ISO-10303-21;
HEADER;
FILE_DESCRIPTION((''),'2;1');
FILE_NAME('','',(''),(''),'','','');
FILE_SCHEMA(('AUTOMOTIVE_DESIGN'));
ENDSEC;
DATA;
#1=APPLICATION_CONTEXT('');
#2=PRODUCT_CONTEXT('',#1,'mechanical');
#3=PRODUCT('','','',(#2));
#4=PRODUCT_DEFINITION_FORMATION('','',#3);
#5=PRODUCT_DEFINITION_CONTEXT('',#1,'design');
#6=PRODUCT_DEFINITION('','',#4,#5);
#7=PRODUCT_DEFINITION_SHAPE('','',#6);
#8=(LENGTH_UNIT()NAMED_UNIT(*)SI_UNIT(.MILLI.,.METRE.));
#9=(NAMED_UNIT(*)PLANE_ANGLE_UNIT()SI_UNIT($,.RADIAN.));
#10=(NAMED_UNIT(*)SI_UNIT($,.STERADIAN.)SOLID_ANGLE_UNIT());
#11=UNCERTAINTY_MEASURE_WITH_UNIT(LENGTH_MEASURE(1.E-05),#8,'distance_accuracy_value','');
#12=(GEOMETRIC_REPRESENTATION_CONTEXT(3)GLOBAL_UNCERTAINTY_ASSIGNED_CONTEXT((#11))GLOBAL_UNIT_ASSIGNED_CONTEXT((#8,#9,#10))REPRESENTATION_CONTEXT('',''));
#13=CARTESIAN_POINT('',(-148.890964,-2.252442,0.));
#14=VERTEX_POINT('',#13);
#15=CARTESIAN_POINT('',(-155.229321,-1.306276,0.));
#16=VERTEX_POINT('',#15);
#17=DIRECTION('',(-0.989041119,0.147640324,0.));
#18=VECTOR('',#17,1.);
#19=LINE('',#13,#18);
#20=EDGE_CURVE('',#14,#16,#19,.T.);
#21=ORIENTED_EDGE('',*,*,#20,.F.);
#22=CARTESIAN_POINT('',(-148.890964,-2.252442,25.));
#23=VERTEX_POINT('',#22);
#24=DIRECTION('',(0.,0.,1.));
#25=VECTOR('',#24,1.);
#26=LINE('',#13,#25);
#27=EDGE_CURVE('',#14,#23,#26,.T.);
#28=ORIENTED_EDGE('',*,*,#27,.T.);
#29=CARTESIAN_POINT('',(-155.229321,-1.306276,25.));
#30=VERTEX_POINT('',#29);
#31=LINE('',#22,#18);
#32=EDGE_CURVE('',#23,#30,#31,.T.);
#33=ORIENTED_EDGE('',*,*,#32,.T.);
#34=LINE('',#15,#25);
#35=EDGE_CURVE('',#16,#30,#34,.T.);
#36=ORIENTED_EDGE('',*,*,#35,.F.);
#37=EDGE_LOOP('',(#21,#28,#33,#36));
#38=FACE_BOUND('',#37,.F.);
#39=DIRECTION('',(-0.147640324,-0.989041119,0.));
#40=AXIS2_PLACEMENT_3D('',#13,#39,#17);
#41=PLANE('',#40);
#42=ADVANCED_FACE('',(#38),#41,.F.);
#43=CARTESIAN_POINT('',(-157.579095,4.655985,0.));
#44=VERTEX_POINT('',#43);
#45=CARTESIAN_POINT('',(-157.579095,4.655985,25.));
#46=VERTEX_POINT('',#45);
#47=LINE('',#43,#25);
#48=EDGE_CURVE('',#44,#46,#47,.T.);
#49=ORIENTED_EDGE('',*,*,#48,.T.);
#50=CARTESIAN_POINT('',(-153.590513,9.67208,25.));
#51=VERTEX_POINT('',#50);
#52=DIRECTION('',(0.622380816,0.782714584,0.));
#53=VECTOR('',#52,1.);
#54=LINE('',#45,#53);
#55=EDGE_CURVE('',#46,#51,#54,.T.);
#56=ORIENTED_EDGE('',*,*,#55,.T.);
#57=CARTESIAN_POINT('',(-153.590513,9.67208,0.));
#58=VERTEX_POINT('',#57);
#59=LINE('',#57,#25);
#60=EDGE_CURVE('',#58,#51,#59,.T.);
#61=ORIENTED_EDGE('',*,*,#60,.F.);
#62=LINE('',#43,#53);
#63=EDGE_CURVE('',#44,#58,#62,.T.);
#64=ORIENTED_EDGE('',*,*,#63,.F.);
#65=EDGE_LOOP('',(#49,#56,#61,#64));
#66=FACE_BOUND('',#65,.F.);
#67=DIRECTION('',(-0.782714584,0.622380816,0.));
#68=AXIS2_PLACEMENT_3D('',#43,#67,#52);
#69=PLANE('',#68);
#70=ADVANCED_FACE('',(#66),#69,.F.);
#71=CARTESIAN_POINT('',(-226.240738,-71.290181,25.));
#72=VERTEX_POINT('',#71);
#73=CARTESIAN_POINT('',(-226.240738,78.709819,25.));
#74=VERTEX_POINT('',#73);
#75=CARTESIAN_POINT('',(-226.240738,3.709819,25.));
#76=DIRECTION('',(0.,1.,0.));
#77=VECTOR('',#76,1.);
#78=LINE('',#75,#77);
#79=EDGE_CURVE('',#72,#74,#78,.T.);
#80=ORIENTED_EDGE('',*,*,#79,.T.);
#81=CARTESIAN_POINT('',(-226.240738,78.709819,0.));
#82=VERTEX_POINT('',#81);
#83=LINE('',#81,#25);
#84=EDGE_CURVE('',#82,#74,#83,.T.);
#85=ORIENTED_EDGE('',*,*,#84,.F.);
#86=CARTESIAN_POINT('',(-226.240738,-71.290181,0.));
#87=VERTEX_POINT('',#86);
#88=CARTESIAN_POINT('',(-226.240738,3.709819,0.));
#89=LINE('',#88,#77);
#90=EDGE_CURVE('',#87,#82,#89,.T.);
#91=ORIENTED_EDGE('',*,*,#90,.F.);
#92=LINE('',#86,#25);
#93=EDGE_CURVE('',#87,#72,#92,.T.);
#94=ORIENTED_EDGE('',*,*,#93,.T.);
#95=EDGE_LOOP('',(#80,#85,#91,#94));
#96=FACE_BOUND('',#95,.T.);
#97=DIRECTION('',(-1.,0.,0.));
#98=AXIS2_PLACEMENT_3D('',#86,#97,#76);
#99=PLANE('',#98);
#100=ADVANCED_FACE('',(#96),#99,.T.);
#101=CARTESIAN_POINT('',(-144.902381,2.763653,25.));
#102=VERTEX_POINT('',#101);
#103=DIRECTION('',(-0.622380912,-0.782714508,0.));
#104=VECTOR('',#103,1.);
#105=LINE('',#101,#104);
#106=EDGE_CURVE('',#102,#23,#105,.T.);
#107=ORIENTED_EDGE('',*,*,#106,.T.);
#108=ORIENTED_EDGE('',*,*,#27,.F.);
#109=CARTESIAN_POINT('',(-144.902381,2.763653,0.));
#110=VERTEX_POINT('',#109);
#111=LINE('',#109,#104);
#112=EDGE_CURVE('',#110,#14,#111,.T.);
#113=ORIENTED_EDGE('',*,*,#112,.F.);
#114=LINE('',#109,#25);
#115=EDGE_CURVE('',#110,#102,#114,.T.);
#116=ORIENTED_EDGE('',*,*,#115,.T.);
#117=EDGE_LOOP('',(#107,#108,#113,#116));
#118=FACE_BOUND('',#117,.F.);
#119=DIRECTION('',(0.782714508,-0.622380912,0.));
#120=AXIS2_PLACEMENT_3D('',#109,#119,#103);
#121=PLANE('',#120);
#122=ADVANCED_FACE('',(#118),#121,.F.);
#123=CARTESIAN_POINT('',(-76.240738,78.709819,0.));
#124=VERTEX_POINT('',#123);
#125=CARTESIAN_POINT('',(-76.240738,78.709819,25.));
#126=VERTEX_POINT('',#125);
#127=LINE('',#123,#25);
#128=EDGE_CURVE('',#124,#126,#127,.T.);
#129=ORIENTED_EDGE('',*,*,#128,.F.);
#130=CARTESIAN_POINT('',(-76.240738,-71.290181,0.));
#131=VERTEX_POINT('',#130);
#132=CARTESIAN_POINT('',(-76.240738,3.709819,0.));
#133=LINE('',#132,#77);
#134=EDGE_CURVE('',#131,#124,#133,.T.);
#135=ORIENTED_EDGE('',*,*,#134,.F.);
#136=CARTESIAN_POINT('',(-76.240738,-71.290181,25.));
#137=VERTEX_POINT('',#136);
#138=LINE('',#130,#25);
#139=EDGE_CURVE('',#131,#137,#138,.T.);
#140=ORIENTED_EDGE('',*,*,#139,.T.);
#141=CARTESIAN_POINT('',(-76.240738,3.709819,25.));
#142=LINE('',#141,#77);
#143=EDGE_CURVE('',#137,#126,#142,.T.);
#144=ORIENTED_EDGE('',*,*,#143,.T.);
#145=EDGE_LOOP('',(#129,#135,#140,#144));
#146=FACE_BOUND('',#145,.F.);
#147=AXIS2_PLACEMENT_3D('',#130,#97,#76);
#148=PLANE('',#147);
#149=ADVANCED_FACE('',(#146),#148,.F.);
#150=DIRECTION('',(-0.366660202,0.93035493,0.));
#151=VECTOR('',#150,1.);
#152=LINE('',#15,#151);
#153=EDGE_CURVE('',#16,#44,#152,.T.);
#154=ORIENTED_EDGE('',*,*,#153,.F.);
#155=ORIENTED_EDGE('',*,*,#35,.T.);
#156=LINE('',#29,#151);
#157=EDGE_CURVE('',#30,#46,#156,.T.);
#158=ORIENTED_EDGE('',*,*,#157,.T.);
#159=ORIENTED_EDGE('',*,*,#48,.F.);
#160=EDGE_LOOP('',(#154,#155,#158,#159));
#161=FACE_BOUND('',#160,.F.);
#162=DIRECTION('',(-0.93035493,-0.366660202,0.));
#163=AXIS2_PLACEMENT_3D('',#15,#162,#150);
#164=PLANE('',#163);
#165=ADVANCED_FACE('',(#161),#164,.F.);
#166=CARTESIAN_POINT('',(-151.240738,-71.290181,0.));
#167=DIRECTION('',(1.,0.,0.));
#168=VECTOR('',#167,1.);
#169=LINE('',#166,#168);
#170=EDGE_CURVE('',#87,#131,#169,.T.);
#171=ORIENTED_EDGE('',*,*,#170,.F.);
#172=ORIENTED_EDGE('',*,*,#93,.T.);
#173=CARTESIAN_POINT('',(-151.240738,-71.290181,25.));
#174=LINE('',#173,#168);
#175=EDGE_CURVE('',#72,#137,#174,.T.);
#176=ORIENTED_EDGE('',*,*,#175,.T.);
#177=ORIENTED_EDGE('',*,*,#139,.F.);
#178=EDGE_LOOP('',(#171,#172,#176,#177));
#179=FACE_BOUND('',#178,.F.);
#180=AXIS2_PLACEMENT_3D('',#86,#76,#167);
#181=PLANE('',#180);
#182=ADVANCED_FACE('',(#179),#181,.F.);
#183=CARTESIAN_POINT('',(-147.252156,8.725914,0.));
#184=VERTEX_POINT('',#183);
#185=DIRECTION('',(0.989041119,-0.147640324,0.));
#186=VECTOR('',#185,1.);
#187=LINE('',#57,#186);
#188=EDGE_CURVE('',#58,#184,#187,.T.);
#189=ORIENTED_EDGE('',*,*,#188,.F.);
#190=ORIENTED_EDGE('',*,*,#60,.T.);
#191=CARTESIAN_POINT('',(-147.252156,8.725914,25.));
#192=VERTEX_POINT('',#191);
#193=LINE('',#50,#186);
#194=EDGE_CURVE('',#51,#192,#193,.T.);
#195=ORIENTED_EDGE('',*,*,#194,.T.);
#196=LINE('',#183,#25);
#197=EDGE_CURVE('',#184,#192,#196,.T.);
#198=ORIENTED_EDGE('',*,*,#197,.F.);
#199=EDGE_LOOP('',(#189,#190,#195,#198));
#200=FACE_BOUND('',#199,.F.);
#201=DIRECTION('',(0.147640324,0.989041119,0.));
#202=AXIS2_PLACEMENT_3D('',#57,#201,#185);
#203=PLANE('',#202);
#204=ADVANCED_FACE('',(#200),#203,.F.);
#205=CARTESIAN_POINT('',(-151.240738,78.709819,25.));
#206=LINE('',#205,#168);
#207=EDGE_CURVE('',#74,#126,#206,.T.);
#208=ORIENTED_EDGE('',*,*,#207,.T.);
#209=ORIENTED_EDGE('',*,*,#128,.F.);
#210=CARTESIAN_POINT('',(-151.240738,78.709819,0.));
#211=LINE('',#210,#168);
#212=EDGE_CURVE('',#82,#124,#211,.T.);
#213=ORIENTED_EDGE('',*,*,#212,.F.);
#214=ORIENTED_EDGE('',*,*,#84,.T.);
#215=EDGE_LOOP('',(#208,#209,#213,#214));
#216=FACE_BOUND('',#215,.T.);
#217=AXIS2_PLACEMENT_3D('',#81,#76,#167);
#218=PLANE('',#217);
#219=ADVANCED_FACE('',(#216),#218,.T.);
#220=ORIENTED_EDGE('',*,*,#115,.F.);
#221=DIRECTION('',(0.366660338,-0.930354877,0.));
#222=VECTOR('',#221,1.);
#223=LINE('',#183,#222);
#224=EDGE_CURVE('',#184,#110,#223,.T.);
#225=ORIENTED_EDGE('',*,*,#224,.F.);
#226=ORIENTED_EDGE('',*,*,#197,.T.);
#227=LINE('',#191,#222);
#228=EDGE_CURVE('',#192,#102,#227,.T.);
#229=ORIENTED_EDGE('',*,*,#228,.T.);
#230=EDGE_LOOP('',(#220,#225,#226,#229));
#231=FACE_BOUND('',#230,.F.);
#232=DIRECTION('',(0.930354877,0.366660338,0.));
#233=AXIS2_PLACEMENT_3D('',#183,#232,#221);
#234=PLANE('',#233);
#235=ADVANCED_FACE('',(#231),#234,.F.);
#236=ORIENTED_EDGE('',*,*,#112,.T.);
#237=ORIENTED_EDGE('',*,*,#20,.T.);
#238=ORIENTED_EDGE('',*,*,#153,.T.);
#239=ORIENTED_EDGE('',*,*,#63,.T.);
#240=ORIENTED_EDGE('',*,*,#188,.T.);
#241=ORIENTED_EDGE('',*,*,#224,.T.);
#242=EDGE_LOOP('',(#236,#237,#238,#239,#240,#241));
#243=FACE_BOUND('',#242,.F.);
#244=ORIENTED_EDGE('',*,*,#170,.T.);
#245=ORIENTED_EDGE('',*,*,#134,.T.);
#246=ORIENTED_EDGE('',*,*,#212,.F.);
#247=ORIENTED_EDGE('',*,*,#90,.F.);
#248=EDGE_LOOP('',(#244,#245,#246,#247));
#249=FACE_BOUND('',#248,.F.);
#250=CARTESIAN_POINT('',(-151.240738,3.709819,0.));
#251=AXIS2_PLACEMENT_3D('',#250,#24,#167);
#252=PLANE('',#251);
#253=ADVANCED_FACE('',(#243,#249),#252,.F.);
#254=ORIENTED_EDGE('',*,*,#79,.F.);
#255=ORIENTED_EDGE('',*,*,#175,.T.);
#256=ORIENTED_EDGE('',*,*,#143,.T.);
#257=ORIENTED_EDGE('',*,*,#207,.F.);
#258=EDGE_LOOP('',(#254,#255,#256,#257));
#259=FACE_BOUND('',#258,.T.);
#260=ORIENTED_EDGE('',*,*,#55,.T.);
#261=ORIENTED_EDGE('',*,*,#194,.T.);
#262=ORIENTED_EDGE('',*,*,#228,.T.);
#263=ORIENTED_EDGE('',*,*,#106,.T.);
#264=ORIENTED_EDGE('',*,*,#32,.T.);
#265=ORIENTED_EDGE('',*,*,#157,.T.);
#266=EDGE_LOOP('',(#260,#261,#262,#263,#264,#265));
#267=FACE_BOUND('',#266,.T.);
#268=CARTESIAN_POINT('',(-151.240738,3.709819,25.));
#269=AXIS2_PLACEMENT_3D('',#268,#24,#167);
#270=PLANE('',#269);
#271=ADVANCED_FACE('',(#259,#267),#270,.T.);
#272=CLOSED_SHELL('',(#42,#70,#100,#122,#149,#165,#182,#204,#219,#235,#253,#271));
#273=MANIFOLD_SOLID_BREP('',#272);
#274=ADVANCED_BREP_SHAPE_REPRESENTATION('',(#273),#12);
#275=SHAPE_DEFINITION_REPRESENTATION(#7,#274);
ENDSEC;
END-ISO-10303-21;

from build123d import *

# Parameters (mm, degrees)
F0_W     = 150
F0_H     = 150
F1_DEPTH = 25


with BuildPart() as f1:
    # F0 (on Top) → F1 (new body)
    with BuildSketch(Plane.XY):
        with Locations((-151.240738, 3.709819)):
            Rectangle(F0_W, F0_H)
        Polygon((-153.590513, 9.67208), (-147.252156, 8.725914), (-144.902381, 2.763653), (-148.890964, -2.252442), (-155.229321, -1.306276), (-157.579095, 4.655985), align=None, mode=Mode.SUBTRACT)
    extrude(amount=F1_DEPTH)


solid = f1.part
